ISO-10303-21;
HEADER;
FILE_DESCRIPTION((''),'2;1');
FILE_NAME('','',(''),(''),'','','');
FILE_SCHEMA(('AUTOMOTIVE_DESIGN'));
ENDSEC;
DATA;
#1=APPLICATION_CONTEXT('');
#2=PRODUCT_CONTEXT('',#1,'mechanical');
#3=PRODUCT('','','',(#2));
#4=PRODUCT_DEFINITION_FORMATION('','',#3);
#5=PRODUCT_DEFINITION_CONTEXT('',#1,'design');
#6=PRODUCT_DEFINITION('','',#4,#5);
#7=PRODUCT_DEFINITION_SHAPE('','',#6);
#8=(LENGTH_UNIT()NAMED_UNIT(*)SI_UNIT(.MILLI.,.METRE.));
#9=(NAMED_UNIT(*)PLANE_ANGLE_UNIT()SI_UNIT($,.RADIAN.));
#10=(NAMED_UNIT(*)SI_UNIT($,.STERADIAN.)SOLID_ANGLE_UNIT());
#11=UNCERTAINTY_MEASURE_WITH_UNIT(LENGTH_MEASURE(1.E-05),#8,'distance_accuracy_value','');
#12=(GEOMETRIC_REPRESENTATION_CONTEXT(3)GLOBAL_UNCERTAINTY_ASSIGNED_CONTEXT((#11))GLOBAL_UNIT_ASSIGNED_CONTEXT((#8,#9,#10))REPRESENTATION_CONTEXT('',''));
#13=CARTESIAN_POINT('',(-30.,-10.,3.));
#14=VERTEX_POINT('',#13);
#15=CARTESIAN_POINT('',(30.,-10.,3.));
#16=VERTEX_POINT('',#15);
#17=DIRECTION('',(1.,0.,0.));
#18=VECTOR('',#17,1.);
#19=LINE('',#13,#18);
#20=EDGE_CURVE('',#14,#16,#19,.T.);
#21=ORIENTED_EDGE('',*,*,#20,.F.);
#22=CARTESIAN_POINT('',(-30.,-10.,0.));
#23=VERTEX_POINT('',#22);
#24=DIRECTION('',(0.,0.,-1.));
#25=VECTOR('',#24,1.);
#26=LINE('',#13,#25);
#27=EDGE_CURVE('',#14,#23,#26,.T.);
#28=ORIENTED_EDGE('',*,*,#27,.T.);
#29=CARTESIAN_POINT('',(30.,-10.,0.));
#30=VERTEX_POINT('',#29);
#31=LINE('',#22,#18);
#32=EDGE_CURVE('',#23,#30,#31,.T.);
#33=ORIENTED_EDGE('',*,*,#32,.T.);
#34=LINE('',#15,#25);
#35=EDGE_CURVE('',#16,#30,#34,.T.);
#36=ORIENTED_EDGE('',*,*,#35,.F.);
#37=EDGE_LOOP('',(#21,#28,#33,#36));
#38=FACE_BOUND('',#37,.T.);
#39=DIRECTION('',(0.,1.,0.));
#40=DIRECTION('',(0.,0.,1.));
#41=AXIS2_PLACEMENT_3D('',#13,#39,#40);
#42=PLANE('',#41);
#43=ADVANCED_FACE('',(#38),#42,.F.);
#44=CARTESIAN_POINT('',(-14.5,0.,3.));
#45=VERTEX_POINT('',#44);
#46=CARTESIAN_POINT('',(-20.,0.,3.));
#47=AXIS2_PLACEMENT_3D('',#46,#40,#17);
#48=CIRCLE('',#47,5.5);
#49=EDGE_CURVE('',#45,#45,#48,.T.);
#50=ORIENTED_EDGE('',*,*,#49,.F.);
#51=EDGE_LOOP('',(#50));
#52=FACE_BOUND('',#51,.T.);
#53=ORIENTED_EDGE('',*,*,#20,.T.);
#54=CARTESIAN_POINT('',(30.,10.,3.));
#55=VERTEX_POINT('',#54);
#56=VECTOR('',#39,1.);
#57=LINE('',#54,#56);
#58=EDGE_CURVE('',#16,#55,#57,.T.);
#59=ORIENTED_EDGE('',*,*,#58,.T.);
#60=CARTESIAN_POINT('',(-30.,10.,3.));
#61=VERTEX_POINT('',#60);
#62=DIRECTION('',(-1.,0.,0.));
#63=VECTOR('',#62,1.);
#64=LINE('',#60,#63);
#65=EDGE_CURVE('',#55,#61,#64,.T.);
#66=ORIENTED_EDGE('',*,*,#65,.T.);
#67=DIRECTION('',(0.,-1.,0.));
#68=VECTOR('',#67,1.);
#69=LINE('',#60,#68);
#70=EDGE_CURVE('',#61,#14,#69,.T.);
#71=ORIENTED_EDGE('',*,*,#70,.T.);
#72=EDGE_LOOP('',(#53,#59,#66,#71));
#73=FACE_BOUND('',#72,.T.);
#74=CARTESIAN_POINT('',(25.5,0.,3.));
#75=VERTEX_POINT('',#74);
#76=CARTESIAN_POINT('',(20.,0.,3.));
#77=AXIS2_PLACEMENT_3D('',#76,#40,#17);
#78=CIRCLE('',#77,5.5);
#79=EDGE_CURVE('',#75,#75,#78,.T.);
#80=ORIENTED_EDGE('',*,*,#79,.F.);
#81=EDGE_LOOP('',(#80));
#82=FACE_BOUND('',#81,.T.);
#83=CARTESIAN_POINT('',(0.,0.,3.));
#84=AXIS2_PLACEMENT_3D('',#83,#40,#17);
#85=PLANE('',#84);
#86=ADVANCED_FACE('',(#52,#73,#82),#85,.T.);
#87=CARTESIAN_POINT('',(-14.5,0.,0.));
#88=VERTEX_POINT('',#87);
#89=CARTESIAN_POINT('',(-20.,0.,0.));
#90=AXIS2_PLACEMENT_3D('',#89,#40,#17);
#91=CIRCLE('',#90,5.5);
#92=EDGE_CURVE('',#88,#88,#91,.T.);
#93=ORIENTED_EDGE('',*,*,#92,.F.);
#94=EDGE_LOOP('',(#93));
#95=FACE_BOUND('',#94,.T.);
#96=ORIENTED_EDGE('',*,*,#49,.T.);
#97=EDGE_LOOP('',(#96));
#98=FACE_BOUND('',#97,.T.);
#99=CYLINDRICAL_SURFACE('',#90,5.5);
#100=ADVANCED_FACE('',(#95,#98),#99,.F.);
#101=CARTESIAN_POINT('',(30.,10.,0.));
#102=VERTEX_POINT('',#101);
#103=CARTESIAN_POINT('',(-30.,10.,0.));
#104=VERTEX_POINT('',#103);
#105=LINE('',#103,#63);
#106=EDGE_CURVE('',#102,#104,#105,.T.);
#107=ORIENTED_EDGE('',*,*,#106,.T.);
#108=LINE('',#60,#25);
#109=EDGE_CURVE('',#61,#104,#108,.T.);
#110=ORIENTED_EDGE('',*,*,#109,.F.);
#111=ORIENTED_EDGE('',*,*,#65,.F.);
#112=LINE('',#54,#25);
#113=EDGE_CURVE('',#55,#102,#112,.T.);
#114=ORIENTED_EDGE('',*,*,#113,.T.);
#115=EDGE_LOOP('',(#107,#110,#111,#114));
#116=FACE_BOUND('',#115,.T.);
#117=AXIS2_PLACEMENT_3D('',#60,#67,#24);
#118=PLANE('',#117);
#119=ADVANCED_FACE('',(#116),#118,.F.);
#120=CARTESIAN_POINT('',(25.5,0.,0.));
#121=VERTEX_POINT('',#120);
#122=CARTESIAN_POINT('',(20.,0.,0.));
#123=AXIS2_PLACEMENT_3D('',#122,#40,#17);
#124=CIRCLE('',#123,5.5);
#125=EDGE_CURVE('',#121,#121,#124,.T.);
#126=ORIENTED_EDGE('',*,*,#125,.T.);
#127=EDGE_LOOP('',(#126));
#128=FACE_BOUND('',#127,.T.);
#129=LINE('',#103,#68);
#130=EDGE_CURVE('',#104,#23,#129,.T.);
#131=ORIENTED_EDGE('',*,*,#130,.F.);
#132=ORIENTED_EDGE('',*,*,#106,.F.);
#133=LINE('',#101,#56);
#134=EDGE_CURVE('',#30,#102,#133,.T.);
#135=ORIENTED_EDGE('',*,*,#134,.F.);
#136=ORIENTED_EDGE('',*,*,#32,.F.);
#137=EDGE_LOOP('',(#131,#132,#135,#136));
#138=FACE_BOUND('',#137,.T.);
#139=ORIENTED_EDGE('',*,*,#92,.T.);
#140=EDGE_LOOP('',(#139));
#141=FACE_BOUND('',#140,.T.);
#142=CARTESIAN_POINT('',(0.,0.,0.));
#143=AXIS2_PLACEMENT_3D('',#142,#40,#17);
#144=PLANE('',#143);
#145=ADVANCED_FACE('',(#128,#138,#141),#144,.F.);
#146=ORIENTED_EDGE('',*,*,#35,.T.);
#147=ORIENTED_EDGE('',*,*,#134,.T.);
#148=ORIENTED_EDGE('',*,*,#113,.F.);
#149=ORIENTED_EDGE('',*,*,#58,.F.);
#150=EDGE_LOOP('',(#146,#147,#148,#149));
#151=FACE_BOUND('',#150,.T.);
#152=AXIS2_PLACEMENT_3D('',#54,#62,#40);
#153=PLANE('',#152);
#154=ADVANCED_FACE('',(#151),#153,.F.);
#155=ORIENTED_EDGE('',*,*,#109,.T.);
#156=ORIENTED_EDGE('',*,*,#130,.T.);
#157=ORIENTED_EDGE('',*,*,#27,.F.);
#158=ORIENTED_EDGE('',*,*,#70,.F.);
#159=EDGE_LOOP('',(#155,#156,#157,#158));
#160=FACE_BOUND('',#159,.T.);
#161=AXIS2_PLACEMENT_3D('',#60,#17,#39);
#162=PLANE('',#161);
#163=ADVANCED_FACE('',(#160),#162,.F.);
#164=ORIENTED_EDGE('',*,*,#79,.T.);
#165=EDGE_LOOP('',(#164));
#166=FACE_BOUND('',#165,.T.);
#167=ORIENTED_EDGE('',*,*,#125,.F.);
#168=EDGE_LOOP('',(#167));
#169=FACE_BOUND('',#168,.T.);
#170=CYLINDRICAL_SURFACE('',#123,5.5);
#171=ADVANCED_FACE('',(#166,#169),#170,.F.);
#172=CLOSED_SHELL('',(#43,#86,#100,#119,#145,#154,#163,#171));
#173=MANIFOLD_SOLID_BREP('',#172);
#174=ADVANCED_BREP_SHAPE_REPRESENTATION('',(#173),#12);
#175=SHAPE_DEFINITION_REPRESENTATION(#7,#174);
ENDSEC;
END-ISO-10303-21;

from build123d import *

# Parameters (mm, degrees)
CROQUIS1_W              = 60
CROQUIS1_H              = 20
SALIENTE_EXTRUIR1_DEPTH = 3
CROQUIS2_R              = 5.5
CORTAR_EXTRUIR1_DEPTH   = 3


with BuildPart() as part:
    # Croquis1 → Saliente-Extruir1 (new body)
    with BuildSketch(Plane.XY):
        Rectangle(CROQUIS1_W, CROQUIS1_H)
    extrude(amount=SALIENTE_EXTRUIR1_DEPTH)

    # Croquis2 → Cortar-Extruir1 (cut)
    with BuildSketch(Plane.XY.offset(3)):
        with Locations((-20, 0)):
            Circle(CROQUIS2_R)
        with Locations((20, 0)):
            Circle(CROQUIS2_R)
    extrude(amount=-CORTAR_EXTRUIR1_DEPTH, mode=Mode.SUBTRACT)


solid = part.part
